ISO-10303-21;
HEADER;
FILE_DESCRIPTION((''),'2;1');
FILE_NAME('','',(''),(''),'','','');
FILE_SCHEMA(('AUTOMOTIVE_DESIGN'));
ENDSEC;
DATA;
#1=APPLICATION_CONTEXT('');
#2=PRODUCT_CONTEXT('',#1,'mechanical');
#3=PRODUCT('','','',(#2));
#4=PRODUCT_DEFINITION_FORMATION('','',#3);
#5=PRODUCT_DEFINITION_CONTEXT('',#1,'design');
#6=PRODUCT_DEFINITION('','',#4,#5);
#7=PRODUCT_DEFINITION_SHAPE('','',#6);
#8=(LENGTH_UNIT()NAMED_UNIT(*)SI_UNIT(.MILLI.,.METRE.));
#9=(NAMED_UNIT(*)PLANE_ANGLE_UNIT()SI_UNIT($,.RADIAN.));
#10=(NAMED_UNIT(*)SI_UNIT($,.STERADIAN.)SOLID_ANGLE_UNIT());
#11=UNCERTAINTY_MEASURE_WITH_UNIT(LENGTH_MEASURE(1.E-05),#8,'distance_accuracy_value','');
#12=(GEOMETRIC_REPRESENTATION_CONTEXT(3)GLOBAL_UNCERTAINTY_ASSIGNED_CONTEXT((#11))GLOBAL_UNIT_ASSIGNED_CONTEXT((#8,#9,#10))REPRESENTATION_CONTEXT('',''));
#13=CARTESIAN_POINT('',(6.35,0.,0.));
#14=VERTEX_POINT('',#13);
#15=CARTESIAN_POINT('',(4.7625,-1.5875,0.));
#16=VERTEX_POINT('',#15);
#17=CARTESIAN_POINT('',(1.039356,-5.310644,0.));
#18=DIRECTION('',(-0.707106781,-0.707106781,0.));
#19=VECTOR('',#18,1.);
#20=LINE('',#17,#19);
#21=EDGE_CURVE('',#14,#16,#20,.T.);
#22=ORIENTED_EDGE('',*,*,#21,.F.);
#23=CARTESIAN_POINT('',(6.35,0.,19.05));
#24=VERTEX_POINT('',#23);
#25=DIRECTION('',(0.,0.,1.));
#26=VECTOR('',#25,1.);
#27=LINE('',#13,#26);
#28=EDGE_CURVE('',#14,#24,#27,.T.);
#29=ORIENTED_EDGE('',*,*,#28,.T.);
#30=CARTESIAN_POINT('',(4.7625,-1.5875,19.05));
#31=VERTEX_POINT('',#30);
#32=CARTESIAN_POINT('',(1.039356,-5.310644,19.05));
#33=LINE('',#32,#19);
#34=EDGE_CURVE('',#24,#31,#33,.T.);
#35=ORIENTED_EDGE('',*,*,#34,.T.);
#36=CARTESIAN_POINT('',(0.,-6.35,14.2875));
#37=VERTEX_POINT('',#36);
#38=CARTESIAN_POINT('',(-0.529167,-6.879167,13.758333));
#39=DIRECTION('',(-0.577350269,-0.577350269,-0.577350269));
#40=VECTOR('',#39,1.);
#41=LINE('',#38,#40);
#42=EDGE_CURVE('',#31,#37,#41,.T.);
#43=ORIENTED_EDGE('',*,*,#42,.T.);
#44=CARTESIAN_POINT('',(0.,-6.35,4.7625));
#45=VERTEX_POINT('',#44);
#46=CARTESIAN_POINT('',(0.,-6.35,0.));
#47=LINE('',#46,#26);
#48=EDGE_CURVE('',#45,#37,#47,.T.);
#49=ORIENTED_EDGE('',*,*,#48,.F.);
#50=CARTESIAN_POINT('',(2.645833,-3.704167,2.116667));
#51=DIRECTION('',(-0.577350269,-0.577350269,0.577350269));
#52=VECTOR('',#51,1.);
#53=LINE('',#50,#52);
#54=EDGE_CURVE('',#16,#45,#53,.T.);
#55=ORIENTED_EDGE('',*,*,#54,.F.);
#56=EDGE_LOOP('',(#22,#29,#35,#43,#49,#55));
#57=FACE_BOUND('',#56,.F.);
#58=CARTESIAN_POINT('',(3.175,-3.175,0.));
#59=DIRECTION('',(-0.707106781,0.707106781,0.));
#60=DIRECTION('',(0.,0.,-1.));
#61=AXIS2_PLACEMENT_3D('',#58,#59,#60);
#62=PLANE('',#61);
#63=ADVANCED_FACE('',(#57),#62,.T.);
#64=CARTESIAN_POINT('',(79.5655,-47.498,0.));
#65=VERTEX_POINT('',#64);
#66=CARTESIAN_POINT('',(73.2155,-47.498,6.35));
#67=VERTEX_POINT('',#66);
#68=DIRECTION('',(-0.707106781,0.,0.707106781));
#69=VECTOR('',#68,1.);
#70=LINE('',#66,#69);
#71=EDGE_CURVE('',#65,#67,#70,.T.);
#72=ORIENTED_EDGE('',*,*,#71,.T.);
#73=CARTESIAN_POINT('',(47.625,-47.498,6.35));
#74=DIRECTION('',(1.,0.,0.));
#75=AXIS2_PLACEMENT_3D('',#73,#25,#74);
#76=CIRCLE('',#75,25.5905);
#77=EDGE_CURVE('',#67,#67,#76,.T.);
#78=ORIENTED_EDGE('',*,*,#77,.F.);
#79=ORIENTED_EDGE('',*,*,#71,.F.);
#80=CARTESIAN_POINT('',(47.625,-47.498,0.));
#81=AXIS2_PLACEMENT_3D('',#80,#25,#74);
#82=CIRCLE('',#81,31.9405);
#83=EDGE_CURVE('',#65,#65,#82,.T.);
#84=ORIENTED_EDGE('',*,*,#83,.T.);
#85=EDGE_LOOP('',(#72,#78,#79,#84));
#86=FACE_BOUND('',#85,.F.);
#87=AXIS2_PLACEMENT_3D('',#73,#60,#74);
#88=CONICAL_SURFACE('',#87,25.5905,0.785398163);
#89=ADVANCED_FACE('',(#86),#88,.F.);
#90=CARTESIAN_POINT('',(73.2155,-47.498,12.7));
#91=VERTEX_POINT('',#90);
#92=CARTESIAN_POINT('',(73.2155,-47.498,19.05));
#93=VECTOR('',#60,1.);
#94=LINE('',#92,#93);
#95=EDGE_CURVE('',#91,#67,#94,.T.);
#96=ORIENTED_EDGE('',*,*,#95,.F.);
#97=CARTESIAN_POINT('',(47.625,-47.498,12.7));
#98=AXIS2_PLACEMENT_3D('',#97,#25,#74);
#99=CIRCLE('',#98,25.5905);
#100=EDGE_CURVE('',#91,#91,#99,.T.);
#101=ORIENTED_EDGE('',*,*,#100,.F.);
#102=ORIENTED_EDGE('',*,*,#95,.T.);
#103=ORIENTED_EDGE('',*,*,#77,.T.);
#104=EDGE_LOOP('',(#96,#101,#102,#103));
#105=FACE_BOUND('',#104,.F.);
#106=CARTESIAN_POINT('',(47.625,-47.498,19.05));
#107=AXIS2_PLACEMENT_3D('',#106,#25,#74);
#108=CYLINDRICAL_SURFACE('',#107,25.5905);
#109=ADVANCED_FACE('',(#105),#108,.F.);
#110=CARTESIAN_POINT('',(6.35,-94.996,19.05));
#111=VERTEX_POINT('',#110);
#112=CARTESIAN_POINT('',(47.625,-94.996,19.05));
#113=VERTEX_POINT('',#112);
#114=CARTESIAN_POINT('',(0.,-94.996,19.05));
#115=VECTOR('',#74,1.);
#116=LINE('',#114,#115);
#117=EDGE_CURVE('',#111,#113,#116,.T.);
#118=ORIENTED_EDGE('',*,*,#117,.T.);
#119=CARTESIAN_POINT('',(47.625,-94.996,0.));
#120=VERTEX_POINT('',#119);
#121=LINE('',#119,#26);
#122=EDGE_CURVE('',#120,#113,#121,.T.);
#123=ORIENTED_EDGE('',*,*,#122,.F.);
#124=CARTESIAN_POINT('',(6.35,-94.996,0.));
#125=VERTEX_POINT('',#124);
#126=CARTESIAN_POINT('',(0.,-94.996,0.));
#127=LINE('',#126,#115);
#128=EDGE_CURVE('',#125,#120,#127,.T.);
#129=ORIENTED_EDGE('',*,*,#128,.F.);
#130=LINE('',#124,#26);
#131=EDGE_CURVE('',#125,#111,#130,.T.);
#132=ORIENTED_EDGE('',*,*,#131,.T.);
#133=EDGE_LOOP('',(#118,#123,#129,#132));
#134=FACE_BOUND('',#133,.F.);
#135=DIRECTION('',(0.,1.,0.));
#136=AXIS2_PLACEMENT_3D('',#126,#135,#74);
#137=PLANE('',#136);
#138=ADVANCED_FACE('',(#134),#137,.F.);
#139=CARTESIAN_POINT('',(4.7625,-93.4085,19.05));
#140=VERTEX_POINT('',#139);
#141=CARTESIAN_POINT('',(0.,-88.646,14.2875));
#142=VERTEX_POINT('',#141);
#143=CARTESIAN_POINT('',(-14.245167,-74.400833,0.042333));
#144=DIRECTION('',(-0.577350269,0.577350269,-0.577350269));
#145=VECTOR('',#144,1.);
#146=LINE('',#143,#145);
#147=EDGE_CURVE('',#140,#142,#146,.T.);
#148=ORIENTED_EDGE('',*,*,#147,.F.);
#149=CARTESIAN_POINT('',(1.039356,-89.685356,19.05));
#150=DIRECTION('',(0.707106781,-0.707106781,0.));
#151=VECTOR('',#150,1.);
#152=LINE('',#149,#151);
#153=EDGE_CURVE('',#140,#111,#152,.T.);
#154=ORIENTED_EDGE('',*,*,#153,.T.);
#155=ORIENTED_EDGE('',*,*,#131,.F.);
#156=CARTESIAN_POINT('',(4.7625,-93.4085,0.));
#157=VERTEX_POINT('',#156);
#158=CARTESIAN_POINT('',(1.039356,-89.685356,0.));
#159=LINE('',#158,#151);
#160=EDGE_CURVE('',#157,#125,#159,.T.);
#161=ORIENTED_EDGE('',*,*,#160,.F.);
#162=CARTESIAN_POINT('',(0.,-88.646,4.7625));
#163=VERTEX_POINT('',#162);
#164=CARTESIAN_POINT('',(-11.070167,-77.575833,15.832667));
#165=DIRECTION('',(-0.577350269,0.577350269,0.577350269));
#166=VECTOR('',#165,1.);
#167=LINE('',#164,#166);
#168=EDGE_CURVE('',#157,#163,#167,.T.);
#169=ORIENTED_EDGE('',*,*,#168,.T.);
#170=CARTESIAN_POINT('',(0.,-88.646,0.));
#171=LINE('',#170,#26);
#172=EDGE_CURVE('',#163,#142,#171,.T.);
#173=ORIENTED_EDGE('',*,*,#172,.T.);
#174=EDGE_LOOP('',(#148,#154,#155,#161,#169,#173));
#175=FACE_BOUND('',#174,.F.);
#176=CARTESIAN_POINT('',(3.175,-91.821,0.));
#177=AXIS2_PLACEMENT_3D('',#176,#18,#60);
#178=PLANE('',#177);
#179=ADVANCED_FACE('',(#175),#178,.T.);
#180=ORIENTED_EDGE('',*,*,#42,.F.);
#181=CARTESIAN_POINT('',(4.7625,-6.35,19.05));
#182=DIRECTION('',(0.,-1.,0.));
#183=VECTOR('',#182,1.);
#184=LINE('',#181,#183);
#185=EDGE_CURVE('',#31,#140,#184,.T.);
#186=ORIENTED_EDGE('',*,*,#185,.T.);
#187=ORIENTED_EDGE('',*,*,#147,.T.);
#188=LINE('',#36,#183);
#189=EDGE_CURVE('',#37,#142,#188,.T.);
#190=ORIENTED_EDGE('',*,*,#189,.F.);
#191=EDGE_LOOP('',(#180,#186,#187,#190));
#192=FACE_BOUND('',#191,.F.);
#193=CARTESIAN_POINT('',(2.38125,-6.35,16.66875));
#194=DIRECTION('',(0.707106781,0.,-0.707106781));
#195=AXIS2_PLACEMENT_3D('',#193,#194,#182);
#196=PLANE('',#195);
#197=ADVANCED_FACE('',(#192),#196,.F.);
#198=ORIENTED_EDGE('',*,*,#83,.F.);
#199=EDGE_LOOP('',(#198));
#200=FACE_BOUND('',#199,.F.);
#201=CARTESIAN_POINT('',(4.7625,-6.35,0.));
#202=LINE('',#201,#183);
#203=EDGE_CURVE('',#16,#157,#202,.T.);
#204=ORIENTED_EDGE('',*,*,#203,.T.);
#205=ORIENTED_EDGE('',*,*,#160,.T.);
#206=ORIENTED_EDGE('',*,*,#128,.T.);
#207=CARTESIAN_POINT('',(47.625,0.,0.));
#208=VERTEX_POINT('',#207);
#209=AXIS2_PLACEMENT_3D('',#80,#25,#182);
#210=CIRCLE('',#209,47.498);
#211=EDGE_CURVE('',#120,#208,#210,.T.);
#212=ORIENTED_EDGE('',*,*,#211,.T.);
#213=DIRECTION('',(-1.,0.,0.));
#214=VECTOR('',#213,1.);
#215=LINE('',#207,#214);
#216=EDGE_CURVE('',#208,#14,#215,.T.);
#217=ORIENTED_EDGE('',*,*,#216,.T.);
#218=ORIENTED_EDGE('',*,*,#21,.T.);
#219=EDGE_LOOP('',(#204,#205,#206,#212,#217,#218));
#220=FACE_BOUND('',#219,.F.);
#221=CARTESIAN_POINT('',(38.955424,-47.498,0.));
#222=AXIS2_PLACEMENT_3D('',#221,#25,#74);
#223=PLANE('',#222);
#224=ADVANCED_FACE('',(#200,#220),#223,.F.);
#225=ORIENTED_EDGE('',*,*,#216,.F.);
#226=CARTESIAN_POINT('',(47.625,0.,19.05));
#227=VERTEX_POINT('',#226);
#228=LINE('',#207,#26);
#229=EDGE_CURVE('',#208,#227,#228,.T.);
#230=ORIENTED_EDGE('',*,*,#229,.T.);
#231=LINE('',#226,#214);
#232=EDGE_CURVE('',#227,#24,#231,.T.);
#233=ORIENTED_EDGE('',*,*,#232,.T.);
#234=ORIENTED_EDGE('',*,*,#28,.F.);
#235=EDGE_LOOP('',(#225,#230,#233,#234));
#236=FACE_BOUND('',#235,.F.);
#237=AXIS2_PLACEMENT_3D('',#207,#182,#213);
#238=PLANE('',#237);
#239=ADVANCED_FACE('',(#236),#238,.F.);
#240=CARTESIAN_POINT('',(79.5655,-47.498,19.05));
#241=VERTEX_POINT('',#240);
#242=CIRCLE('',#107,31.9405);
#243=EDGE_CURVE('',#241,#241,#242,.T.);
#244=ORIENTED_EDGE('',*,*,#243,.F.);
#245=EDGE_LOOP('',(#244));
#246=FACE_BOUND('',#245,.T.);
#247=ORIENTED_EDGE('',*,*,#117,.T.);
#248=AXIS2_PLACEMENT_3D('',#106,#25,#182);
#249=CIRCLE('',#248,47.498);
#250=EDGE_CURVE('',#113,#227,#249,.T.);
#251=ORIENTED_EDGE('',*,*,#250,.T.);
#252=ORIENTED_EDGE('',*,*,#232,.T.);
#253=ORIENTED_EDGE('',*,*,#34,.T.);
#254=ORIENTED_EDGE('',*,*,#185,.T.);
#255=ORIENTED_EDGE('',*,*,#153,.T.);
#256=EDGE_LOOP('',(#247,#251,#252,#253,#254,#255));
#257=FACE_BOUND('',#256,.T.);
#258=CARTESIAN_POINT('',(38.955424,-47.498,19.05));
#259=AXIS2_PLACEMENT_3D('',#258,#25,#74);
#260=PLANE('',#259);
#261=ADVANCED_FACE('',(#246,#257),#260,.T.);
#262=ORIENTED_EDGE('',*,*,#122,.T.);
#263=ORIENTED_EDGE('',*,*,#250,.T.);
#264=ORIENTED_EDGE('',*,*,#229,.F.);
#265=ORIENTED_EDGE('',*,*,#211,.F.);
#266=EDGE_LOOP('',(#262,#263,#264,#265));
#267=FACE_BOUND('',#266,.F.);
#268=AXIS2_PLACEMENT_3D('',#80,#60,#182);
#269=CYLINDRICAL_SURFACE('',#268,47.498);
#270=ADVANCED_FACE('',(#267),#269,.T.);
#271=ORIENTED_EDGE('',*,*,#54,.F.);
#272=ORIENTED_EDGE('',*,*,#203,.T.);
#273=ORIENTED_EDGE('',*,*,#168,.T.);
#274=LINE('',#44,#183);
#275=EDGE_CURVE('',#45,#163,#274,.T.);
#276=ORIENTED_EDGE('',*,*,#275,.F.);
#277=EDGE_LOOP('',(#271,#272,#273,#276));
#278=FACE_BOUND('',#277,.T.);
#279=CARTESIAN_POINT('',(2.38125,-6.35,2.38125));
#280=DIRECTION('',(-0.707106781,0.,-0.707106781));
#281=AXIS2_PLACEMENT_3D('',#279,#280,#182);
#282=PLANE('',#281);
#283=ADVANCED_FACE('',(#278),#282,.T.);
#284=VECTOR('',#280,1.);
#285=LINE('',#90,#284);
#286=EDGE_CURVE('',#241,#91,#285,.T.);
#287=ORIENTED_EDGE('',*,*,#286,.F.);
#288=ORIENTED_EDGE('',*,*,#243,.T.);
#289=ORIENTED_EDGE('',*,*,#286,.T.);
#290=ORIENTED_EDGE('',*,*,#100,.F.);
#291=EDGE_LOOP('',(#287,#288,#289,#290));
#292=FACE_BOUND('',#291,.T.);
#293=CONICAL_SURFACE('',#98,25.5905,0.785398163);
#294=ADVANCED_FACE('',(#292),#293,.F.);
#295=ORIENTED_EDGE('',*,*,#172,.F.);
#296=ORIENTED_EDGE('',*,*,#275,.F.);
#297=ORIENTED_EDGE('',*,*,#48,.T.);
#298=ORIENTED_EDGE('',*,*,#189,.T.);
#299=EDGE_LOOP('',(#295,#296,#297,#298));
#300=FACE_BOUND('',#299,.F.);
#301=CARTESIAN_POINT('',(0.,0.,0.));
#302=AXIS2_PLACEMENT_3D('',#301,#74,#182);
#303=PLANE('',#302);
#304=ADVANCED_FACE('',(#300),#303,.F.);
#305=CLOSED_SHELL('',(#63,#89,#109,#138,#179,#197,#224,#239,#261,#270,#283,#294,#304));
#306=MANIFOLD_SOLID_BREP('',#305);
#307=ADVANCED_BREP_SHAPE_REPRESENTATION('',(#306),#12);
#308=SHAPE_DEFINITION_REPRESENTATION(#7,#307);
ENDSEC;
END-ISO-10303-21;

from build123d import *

# Parameters (mm, degrees)
F1_DEPTH = 19.05
F2_R     = 25.5905
F3_DEPTH = 19.051
F4_SIZE  = 6.35
F5_SIZE  = 4.7625


with BuildPart() as f1:
    # F0 (on Top) → F1 (new body)
    with BuildSketch(Plane.XY):
        with BuildLine():
            Line((47.625, 0), (0, 0))
            Line((0, 0), (0, -94.996))
            Line((0, -94.996), (47.625, -94.996))
            ThreePointArc((47.625, -94.996), (95.123, -47.498), (47.625, 0))
        make_face()
    extrude(amount=F1_DEPTH)

    # F2 (on face) → F3 (cut, through all)
    with BuildSketch(Plane.XY.offset(19.05)):
        with Locations((47.625, -47.498)):
            Circle(F2_R)
    extrude(amount=-F3_DEPTH, mode=Mode.SUBTRACT)

    # F4
    f4_edges = [f1.edges().sort_by_distance(p)[0] for p in [
        (0, 0, 9.525),
        (0, -94.996, 9.525),
        (22.0345, -47.498, 19.05),
        (22.0345, -47.498, 0),
    ]]
    chamfer(f4_edges, length=F4_SIZE)

    # F5
    f5_edges = [f1.edges().sort_by_distance(p)[0] for p in [
        (0, -47.498, 19.05),
        (0, -47.498, 0),
    ]]
    chamfer(f5_edges, length=F5_SIZE)


solid = f1.part
